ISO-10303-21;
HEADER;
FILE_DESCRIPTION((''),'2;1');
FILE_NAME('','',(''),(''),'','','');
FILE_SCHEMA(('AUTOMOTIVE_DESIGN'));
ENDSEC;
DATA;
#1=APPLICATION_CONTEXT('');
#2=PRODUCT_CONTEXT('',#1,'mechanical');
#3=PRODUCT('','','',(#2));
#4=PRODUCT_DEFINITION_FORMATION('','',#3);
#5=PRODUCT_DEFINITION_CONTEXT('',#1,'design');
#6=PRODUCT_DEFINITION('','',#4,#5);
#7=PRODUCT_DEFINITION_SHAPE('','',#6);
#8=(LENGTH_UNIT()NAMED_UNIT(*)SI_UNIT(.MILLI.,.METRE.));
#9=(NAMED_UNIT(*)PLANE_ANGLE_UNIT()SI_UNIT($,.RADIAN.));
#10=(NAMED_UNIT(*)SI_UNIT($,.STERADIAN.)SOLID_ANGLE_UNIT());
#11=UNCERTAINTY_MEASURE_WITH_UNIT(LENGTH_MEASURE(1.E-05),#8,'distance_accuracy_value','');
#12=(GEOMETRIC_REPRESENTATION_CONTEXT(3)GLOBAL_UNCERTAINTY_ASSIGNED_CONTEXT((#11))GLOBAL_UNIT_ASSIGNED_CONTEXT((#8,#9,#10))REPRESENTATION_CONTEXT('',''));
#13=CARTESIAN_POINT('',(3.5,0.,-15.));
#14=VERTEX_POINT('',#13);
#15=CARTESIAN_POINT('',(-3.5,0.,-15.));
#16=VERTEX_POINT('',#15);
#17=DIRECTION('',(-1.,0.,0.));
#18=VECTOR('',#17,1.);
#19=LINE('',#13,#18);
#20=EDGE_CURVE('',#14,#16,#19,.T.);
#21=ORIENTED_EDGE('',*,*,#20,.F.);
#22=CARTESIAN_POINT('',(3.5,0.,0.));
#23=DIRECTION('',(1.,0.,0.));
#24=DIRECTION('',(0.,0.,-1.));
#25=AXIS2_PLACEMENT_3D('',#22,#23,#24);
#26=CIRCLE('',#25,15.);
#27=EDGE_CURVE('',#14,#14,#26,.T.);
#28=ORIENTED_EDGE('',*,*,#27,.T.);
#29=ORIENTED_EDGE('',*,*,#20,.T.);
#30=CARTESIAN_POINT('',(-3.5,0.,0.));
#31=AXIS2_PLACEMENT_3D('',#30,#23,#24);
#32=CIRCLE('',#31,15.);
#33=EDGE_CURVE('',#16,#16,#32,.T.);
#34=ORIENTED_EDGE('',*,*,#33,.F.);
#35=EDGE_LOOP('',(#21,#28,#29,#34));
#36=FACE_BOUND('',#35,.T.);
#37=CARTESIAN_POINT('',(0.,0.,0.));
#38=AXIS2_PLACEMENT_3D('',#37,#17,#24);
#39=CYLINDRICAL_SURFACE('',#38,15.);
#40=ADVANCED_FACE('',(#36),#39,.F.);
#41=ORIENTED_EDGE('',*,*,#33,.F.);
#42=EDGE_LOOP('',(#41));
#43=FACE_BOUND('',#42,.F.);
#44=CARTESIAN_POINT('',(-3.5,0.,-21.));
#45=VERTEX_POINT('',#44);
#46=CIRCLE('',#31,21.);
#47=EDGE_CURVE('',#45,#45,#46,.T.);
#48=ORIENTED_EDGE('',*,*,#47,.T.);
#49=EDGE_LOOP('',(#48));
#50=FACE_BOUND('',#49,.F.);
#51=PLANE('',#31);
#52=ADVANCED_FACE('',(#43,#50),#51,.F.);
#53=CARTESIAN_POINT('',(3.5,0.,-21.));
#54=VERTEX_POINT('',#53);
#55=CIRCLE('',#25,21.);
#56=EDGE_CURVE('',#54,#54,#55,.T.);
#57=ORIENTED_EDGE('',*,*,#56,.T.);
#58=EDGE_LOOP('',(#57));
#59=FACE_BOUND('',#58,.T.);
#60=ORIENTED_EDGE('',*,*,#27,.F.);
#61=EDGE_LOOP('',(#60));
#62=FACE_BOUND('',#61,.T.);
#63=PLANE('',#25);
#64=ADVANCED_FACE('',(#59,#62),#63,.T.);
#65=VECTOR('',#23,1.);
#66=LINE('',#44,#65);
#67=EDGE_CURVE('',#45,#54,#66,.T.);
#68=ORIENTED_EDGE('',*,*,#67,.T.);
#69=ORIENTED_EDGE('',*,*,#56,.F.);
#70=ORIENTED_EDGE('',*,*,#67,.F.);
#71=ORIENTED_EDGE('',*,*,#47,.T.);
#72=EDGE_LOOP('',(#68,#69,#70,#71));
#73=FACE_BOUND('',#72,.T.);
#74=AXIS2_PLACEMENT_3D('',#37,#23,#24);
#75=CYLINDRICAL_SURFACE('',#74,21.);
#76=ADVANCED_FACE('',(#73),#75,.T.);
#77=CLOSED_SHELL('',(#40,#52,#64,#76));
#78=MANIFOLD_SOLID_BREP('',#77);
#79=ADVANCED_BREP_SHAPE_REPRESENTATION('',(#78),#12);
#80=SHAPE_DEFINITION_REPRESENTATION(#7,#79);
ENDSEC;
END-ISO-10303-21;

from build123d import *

# Parameters (mm, degrees)
SKETCH1_R           = 21
SKETCH1_R_2         = 15
BOSS_EXTRUDE1_DEPTH = 3.5


with BuildPart() as part:
    # Sketch1 → Boss-Extrude1 (new, symmetric)
    with BuildSketch(Plane(origin=(0, 0, 0), x_dir=(0, 0, -1), z_dir=(1, 0, 0))):
        Circle(SKETCH1_R)
        Circle(SKETCH1_R_2, mode=Mode.SUBTRACT)
    extrude(amount=BOSS_EXTRUDE1_DEPTH, both=True)


solid = part.part
